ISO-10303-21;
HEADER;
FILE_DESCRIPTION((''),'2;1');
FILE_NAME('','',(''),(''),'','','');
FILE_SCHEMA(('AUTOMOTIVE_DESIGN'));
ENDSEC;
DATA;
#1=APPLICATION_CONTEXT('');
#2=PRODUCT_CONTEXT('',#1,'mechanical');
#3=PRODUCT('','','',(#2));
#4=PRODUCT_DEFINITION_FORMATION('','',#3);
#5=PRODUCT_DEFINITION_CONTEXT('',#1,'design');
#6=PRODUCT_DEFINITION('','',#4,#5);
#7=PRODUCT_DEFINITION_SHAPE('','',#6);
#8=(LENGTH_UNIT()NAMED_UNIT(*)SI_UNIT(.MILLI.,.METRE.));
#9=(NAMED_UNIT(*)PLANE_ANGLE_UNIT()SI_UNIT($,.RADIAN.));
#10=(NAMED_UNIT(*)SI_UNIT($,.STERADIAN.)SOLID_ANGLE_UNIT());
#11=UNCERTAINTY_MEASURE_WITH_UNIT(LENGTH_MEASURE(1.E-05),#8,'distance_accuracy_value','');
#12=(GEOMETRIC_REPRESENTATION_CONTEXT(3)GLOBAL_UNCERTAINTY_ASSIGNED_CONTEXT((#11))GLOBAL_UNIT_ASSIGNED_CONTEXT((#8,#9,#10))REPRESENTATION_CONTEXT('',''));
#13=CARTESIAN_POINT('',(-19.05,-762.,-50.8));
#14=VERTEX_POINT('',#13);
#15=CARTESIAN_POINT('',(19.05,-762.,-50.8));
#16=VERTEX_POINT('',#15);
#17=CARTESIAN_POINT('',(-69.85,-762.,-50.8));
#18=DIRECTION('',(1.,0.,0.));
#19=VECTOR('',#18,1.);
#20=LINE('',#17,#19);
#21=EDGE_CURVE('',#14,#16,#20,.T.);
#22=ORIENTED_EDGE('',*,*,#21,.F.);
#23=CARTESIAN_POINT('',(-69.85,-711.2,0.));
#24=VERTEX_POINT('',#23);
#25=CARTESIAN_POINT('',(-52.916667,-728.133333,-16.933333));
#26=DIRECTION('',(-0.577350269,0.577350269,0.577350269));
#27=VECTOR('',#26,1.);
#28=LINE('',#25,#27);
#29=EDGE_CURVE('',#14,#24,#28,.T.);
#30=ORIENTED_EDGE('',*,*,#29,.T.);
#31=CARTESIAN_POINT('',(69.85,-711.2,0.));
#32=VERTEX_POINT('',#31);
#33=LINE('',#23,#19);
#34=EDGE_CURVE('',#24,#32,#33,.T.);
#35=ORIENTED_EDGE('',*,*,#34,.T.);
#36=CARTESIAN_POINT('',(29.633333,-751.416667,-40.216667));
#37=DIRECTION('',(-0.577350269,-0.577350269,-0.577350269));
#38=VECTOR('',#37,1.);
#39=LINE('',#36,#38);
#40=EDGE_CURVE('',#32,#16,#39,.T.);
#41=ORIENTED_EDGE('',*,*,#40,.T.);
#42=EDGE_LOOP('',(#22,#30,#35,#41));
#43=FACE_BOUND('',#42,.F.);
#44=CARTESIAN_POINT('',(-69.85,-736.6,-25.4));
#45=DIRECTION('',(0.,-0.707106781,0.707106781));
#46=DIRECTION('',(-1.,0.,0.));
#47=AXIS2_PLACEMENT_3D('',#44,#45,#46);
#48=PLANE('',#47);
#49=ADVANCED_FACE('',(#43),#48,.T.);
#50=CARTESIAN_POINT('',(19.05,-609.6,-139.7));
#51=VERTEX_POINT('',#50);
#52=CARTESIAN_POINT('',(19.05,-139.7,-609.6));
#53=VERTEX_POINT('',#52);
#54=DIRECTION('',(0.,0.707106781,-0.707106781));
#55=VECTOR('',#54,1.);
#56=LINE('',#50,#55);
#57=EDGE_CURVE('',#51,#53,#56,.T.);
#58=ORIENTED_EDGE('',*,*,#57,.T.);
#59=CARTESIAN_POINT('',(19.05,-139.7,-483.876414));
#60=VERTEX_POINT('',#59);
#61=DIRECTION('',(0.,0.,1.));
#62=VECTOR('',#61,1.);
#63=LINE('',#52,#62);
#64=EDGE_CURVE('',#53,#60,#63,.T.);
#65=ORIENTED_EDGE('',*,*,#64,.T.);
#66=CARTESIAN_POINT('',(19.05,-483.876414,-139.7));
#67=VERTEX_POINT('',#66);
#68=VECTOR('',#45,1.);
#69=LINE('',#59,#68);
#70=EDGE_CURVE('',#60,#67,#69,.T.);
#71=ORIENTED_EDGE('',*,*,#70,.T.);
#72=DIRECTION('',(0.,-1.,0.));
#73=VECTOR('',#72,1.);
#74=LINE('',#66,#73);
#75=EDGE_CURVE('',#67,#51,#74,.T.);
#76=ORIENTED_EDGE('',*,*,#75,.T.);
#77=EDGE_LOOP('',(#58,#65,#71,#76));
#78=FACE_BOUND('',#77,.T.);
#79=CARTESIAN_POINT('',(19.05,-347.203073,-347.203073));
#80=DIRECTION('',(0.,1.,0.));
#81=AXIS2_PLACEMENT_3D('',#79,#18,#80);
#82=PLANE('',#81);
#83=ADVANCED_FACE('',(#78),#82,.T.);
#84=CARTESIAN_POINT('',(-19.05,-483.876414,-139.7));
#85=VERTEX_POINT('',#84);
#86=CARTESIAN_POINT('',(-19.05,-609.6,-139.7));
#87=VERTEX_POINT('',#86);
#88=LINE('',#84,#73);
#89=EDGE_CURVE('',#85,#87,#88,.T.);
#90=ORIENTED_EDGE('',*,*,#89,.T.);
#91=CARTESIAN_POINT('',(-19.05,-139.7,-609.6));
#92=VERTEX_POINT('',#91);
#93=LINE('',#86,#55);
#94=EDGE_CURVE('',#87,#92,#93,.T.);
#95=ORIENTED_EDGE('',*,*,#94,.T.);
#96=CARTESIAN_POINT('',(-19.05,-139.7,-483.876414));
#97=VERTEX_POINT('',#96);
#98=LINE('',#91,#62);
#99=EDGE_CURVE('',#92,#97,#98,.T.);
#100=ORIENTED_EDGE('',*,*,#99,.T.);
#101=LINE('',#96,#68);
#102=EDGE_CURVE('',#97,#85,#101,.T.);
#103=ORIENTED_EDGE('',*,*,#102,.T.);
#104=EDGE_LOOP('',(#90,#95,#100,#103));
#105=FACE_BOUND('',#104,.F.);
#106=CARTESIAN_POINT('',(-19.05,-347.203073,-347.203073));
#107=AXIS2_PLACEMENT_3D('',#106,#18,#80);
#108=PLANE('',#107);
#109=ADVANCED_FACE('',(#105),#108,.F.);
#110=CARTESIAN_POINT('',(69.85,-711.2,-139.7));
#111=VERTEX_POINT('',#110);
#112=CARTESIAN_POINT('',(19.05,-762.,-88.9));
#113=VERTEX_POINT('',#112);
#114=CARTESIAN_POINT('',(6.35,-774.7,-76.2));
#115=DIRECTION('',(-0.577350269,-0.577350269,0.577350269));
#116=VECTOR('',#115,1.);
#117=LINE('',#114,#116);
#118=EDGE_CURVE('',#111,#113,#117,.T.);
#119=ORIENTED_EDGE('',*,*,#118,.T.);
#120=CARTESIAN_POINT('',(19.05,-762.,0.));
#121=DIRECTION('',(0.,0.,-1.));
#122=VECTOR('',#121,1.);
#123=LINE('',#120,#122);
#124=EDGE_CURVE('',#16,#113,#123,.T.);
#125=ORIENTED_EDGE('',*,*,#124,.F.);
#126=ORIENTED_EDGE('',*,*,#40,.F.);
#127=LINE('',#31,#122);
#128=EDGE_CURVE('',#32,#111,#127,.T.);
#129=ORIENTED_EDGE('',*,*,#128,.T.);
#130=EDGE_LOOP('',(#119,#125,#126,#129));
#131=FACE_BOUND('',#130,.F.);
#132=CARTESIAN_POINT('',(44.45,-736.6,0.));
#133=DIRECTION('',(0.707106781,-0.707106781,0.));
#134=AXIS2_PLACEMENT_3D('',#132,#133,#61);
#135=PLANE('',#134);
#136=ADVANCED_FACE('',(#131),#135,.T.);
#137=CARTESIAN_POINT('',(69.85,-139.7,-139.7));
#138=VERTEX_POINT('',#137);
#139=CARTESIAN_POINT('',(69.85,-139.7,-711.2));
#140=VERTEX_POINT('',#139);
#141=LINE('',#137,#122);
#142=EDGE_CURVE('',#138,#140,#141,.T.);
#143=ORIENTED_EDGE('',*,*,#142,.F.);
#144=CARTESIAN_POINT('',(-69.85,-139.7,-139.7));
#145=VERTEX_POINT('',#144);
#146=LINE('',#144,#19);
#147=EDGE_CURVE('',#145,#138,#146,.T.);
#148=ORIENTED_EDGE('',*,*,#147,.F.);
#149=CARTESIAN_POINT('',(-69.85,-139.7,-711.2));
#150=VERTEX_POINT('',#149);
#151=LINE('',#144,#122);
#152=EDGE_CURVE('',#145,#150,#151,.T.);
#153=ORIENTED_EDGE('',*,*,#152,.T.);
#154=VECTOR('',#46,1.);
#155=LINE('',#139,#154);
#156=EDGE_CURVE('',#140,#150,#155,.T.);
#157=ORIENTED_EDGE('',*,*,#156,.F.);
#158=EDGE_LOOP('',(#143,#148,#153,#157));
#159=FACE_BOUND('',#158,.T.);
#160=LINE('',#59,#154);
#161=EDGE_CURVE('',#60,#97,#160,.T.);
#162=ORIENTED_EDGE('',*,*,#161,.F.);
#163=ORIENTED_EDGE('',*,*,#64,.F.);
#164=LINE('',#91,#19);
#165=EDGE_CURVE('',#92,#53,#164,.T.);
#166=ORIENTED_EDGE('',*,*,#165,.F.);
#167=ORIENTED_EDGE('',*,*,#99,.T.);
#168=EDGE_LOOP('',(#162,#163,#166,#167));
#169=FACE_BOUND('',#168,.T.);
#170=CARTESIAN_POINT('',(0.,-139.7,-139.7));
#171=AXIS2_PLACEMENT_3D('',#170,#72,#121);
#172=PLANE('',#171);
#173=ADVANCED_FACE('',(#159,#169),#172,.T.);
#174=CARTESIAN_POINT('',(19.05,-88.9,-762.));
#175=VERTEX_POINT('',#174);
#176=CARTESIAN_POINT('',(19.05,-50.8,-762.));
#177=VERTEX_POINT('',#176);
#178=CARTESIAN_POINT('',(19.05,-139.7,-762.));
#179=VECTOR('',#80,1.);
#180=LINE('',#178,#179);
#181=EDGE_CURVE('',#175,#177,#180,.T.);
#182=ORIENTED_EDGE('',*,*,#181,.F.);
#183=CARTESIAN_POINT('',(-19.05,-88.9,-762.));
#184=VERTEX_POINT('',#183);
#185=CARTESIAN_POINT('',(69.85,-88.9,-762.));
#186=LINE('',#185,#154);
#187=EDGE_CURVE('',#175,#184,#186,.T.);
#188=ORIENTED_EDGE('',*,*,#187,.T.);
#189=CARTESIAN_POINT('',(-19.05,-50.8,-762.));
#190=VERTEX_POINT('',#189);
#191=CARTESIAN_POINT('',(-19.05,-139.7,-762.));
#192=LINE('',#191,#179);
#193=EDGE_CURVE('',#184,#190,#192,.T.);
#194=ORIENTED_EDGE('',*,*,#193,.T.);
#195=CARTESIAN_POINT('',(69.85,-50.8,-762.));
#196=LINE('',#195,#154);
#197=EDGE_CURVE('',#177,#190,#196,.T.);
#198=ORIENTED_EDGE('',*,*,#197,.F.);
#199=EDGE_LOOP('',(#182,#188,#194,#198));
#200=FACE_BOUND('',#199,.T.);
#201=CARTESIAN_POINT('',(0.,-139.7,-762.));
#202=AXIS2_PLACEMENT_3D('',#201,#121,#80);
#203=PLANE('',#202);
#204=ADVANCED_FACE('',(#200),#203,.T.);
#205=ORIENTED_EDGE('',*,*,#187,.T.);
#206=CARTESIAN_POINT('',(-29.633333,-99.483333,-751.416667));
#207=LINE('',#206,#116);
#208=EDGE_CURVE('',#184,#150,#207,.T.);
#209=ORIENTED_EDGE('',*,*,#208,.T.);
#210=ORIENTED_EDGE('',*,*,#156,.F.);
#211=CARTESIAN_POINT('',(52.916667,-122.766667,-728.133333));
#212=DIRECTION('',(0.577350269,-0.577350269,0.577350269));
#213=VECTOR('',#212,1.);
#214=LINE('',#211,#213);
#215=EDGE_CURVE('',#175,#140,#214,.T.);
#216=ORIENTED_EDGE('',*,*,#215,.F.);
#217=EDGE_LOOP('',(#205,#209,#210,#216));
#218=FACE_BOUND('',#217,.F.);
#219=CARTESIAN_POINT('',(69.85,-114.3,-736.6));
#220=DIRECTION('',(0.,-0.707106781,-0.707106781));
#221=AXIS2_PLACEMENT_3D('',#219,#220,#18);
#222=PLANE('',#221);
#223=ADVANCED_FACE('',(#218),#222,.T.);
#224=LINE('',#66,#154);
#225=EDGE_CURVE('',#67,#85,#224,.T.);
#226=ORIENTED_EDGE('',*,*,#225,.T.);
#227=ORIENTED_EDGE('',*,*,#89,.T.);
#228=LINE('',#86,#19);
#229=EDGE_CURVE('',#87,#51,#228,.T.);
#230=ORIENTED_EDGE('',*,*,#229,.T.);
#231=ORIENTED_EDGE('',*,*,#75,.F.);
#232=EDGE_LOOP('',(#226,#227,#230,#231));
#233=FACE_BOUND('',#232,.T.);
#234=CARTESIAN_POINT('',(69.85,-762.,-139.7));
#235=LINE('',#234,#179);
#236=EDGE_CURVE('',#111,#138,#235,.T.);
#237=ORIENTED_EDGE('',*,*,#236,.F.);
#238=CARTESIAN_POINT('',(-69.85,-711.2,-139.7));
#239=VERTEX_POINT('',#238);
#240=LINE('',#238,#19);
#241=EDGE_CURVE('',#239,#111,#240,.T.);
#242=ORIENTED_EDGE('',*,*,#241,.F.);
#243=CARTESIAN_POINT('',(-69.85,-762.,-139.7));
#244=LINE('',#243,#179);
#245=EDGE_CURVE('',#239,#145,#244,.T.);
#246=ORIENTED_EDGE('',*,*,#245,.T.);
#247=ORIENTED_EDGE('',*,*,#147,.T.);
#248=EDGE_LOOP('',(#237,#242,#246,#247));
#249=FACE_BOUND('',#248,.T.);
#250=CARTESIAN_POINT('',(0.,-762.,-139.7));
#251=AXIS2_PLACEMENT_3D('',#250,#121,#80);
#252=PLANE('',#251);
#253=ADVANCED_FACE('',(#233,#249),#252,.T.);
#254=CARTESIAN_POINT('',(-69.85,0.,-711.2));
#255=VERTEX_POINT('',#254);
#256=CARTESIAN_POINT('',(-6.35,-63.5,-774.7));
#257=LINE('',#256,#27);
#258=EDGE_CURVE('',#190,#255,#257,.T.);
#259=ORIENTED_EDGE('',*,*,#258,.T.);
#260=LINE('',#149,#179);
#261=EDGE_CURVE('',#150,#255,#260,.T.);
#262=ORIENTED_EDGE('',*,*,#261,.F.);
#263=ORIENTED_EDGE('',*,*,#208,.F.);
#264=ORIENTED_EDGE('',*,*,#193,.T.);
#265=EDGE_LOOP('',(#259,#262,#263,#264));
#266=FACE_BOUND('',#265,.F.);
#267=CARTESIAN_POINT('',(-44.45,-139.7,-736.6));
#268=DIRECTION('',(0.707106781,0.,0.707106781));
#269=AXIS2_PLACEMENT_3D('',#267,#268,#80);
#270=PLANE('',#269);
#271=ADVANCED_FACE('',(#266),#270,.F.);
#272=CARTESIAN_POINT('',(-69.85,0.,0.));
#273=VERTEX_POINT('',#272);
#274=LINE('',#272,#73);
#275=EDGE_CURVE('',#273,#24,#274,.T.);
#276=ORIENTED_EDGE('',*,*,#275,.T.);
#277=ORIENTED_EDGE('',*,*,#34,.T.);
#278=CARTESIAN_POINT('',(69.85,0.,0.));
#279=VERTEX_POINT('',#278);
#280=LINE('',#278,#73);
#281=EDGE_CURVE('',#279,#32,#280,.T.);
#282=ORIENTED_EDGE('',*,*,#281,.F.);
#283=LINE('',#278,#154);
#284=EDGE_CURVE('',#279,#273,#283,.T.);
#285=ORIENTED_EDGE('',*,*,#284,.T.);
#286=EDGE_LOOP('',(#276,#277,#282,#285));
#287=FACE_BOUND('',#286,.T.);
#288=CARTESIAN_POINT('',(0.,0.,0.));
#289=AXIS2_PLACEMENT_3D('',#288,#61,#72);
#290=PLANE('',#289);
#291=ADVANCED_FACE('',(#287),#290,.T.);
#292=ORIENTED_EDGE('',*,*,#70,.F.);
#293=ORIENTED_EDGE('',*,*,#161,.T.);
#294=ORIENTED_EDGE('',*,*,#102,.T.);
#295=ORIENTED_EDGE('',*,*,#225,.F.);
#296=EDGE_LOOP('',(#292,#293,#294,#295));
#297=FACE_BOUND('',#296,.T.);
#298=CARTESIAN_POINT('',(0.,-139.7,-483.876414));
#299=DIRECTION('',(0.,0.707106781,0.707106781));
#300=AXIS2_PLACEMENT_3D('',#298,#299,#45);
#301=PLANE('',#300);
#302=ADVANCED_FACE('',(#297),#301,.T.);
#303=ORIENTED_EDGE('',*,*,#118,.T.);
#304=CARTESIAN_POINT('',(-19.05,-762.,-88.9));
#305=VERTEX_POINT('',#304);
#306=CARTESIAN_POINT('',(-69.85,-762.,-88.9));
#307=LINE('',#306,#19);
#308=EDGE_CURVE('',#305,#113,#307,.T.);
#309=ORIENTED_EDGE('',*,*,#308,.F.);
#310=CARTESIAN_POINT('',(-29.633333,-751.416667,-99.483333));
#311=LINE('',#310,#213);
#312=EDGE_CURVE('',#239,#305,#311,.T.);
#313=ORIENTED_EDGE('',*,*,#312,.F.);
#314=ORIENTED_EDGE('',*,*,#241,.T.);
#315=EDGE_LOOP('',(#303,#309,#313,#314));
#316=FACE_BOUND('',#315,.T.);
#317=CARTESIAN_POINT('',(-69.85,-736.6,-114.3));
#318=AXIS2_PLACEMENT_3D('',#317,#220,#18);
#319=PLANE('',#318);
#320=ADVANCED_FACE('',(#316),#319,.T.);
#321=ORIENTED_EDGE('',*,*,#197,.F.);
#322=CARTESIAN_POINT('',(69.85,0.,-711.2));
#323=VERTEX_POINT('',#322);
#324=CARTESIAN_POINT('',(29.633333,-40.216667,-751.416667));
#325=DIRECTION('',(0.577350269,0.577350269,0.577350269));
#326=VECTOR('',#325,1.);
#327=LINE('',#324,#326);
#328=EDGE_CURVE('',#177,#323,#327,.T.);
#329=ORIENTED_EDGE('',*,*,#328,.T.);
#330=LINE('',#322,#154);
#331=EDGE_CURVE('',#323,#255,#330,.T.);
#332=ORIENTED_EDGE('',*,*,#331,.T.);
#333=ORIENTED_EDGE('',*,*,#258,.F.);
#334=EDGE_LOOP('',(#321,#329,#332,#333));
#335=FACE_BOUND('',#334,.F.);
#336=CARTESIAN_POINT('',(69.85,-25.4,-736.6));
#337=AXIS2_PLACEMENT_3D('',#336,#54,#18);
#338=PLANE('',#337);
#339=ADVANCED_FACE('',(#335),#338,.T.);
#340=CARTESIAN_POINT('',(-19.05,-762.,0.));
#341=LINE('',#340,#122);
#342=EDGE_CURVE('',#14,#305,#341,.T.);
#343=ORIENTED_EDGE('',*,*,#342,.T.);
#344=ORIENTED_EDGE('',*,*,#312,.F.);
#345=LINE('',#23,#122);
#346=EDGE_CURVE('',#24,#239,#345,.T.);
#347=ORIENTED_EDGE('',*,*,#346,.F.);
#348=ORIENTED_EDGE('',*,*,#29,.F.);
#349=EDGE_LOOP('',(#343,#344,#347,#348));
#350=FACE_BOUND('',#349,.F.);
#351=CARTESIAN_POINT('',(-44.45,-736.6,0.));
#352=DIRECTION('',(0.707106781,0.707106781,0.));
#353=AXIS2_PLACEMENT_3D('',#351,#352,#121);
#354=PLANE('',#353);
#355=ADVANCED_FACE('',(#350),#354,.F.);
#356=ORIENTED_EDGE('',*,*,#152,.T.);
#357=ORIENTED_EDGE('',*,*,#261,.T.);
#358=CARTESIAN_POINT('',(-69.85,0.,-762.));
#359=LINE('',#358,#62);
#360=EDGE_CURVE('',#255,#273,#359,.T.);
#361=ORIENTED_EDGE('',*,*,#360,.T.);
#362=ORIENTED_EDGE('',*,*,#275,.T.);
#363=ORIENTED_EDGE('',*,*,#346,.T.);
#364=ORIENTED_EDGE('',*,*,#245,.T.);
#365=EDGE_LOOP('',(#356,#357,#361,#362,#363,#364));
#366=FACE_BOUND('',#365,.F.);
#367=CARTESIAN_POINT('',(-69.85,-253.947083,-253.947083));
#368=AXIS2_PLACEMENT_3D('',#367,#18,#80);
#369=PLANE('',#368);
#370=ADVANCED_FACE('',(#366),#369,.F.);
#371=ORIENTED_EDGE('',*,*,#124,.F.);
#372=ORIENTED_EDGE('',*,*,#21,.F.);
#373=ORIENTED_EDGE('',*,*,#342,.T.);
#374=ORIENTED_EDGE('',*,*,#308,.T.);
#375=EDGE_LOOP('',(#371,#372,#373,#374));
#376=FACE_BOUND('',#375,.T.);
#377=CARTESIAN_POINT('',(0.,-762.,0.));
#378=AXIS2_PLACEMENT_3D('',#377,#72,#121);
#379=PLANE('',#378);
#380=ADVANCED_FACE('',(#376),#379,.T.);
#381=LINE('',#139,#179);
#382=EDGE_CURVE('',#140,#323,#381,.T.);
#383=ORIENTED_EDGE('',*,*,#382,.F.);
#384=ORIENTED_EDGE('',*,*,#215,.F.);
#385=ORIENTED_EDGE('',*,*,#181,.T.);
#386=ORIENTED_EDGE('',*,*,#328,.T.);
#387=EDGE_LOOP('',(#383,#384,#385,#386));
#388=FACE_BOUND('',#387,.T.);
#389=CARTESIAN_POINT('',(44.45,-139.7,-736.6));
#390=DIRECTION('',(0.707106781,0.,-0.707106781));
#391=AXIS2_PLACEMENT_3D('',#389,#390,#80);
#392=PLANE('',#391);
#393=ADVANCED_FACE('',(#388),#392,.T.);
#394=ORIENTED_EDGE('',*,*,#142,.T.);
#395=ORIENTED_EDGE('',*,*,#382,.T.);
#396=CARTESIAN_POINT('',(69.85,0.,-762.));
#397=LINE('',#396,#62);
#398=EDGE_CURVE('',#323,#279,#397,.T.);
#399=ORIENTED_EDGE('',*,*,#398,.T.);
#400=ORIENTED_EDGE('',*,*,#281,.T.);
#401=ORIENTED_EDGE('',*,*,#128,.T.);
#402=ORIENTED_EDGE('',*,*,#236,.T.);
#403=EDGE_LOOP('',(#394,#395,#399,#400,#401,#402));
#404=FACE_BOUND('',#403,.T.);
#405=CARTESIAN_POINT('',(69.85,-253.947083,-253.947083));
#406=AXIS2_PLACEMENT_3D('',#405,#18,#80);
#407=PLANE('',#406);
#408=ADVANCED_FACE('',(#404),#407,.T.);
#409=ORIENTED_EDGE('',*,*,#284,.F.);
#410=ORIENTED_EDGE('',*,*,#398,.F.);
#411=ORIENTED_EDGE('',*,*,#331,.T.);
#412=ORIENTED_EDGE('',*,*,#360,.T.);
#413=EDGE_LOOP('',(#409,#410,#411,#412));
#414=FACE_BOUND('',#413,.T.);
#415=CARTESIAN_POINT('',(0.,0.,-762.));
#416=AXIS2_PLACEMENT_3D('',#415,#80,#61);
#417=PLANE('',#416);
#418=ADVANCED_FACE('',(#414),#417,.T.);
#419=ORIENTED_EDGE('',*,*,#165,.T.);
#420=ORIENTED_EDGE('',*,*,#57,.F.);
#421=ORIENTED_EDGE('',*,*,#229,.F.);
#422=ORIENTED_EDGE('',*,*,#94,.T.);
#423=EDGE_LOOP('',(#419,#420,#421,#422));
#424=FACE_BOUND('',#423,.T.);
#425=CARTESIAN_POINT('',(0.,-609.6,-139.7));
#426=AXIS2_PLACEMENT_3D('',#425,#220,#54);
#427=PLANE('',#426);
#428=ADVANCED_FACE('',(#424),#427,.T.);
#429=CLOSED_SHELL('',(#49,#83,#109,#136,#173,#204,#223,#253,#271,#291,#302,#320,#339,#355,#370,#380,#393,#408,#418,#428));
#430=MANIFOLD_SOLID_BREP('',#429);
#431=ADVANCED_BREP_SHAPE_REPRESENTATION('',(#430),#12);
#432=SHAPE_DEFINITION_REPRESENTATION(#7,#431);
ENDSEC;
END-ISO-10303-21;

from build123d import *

# Parameters (mm, degrees)
F1_DEPTH = 69.85
F2_SIZE2 = 50.8
F2_SIZE  = 50.8
F4_DEPTH = 19.05


with BuildPart() as f1:
    # F0 (on Right) → F1 (new body, symmetric)
    with BuildSketch(Plane.YZ):
        Polygon((0, 0), (-762, 0), (-762, -139.7), (-139.7, -139.7), (-139.7, -762), (0, -762), align=None)
    extrude(amount=F1_DEPTH, both=True)

    # F2
    f2_edges = [f1.edges().sort_by_distance(p)[0] for p in [
        (0, -762, -139.7),
        (69.85, -69.85, -762),
        (0, -139.7, -762),
        (-69.85, -69.85, -762),
        (0, 0, -762),
        (-69.85, -762, -69.85),
        (0, -762, 0),
        (69.85, -762, -69.85),
    ]]
    chamfer(f2_edges, length=F2_SIZE, length2=F2_SIZE2)

    # F3 (on Right) → F4 (join, symmetric)
    with BuildSketch(Plane.YZ):
        Polygon((-483.876414, -139.7), (-609.6, -139.7), (-139.7, -609.6), (-139.7, -483.876414), align=None)
    extrude(amount=F4_DEPTH, both=True)


solid = f1.part
